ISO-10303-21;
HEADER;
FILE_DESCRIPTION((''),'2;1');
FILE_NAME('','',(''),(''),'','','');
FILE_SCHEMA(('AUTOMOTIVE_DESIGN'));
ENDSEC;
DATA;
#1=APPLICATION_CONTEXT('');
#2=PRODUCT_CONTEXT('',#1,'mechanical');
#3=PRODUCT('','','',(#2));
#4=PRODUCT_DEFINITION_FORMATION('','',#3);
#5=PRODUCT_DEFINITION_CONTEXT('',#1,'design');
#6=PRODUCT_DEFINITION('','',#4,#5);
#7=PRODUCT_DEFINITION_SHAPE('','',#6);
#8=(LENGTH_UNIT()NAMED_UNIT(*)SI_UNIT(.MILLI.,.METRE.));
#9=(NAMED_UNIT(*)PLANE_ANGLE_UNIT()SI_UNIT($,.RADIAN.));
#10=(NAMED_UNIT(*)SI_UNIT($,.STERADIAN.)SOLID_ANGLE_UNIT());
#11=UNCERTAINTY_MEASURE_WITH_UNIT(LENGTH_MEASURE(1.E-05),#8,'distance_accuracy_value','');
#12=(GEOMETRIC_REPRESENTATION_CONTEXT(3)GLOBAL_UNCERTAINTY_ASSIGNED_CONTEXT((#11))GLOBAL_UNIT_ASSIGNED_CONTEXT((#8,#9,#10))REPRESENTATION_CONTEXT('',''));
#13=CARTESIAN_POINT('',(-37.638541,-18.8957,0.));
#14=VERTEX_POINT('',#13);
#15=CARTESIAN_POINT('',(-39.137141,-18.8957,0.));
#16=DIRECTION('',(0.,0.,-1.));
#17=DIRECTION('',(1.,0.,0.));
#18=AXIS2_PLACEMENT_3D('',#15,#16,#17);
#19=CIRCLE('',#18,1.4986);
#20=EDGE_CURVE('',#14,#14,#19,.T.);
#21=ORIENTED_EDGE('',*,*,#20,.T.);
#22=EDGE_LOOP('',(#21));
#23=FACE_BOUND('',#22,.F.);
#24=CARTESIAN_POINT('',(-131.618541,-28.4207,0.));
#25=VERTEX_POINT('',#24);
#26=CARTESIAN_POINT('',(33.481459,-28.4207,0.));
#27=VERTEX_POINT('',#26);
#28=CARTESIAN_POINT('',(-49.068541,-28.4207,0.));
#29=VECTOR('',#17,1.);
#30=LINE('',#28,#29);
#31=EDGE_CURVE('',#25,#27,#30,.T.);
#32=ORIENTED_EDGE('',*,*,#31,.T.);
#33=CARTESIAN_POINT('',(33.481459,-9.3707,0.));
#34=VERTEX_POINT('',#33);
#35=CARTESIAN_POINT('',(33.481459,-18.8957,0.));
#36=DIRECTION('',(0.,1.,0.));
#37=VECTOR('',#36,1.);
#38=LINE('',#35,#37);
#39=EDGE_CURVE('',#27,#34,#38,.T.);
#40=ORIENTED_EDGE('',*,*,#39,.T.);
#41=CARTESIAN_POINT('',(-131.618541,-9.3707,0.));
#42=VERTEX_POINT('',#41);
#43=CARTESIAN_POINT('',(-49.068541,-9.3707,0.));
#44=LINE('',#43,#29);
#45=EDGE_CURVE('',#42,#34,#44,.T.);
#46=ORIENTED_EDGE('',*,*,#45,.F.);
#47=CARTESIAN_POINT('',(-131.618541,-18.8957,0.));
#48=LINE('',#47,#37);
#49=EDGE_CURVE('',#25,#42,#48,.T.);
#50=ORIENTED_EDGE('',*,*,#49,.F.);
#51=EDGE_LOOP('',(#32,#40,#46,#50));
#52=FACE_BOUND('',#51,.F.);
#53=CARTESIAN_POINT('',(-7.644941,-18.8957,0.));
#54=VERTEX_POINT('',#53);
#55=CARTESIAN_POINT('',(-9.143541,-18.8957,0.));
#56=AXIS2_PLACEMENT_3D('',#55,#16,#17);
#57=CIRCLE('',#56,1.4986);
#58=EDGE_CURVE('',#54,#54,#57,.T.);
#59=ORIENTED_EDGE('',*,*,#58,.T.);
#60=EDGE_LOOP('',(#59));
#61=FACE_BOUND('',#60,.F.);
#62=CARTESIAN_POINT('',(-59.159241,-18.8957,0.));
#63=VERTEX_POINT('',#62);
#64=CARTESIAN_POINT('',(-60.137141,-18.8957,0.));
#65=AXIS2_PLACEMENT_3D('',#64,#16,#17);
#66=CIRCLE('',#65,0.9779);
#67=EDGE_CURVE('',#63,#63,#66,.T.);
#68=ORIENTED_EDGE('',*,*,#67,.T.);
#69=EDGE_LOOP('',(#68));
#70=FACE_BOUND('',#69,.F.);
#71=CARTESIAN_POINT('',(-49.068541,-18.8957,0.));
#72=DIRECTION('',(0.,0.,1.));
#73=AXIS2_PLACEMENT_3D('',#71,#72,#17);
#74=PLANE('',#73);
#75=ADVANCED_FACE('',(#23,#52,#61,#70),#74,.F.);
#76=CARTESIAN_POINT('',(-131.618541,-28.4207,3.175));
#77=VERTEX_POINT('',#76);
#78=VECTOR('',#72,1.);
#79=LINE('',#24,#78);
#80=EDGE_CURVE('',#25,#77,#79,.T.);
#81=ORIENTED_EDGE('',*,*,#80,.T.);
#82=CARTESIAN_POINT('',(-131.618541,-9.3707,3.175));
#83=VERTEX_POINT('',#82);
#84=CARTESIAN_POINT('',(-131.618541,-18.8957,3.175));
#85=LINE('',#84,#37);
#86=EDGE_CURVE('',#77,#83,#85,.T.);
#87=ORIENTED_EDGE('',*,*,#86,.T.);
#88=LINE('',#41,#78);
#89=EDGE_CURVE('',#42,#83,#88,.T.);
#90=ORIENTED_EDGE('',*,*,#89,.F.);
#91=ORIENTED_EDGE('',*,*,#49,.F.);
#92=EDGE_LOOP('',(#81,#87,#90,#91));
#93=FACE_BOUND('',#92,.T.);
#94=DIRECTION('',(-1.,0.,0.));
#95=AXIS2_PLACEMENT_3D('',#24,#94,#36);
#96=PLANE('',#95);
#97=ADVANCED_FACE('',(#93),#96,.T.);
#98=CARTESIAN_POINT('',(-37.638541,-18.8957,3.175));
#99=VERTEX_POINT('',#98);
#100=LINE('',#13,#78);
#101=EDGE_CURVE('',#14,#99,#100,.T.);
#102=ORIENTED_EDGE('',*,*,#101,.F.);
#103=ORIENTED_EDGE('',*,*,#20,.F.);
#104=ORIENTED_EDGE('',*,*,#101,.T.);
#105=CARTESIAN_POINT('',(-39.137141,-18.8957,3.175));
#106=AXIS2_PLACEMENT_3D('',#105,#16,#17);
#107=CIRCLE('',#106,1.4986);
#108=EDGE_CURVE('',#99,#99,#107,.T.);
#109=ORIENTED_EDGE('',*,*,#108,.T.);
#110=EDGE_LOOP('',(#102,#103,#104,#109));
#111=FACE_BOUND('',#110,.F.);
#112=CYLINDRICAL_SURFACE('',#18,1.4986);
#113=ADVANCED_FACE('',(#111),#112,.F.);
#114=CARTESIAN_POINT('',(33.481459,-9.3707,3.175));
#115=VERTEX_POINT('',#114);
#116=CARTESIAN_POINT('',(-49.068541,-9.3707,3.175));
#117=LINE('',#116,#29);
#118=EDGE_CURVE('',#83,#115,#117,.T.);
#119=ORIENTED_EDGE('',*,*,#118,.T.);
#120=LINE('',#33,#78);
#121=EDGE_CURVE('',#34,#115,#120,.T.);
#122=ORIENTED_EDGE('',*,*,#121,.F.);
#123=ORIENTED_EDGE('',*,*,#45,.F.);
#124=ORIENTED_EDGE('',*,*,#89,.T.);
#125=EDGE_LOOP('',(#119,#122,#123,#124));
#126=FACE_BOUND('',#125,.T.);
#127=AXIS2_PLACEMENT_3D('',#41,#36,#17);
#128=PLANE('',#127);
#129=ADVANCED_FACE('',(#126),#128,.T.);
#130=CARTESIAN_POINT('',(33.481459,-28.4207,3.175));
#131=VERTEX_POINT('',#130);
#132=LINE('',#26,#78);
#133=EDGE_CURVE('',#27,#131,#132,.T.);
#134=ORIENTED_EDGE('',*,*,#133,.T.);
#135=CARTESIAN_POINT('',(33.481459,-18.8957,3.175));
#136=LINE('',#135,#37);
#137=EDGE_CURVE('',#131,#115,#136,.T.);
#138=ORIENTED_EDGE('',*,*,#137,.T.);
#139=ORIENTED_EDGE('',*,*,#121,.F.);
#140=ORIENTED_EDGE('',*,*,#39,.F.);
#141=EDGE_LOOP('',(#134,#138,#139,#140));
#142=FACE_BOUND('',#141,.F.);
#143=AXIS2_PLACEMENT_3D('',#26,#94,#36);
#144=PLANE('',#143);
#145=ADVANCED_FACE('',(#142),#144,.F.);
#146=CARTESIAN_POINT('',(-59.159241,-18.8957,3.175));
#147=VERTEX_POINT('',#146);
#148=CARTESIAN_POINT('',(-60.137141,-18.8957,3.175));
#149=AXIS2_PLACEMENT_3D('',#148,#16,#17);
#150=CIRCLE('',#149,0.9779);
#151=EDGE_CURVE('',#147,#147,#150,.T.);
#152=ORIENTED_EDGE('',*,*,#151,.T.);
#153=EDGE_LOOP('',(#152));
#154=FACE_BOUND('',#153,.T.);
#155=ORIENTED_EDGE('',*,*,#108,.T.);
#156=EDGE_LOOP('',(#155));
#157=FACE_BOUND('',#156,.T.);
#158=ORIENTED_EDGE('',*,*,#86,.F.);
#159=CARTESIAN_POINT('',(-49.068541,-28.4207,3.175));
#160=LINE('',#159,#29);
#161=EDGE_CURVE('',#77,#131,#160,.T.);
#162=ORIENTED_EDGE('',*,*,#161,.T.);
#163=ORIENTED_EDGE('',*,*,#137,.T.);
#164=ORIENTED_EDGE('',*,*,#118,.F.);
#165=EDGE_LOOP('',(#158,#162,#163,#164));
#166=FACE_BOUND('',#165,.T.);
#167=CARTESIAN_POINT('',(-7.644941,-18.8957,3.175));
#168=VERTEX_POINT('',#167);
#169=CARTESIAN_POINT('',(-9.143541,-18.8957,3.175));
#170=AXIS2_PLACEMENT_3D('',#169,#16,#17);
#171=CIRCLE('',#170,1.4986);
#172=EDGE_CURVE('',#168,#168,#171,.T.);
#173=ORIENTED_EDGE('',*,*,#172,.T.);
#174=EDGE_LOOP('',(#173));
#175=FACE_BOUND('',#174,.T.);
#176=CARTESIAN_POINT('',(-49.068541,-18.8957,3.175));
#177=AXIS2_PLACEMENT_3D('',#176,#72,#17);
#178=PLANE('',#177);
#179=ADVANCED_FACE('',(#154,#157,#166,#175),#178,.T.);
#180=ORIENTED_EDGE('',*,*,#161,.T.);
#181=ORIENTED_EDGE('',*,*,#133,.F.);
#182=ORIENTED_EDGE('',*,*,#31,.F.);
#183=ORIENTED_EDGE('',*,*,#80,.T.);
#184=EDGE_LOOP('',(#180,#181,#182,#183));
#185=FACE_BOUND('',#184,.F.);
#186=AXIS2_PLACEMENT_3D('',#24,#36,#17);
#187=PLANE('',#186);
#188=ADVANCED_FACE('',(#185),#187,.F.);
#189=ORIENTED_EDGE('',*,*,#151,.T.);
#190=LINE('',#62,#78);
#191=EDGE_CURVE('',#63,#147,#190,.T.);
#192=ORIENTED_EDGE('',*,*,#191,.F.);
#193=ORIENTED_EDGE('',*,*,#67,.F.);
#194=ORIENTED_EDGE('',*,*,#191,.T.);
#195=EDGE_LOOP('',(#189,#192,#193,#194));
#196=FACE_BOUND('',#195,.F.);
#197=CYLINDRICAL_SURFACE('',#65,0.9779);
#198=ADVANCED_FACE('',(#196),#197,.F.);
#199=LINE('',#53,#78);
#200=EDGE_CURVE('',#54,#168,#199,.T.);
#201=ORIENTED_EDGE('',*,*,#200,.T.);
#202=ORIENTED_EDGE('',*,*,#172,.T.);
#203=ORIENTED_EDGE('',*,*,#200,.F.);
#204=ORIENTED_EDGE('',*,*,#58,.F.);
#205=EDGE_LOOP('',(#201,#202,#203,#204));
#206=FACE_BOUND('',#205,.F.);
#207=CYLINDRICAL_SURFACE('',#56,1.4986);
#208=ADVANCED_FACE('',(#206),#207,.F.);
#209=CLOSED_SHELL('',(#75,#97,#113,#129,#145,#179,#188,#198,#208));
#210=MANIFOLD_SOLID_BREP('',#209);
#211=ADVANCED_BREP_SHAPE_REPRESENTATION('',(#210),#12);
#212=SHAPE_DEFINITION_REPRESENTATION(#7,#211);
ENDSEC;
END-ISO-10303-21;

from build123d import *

# Parameters (mm, degrees)
F0_W     = 165.1
F0_H     = 19.05
F1_DEPTH = 3.175
F2_R     = 1.4986
F3_DEPTH = 25.4
F2_R_2   = 0.9779
F4_DEPTH = 25.4
F5_DEPTH = 25.4


with BuildPart() as f1:
    # F0 (on Top) → F1 (new body)
    with BuildSketch(Plane.XY):
        with Locations((-49.068541, -18.8957)):
            Rectangle(F0_W, F0_H)
    extrude(amount=F1_DEPTH)

    # F2 (on face) → F3 (cut)
    with BuildSketch(Plane(origin=(0, 0, 0), x_dir=(1, 0, 0), z_dir=(0, 0, -1))):
        with Locations((-39.137141, 18.8957)):
            Circle(F2_R)
    extrude(amount=-F3_DEPTH, mode=Mode.SUBTRACT)

    # F2 (on face) → F4 (cut)
    with BuildSketch(Plane(origin=(0, 0, 0), x_dir=(1, 0, 0), z_dir=(0, 0, -1))):
        with Locations((-60.137141, 18.8957)):
            Circle(F2_R_2)
    extrude(amount=-F4_DEPTH, mode=Mode.SUBTRACT)

    # F2 (on face) → F5 (cut)
    with BuildSketch(Plane(origin=(0, 0, 0), x_dir=(1, 0, 0), z_dir=(0, 0, -1))):
        with Locations((-9.143541, 18.8957)):
            Circle(F2_R)
    extrude(amount=-F5_DEPTH, mode=Mode.SUBTRACT)


solid = f1.part
